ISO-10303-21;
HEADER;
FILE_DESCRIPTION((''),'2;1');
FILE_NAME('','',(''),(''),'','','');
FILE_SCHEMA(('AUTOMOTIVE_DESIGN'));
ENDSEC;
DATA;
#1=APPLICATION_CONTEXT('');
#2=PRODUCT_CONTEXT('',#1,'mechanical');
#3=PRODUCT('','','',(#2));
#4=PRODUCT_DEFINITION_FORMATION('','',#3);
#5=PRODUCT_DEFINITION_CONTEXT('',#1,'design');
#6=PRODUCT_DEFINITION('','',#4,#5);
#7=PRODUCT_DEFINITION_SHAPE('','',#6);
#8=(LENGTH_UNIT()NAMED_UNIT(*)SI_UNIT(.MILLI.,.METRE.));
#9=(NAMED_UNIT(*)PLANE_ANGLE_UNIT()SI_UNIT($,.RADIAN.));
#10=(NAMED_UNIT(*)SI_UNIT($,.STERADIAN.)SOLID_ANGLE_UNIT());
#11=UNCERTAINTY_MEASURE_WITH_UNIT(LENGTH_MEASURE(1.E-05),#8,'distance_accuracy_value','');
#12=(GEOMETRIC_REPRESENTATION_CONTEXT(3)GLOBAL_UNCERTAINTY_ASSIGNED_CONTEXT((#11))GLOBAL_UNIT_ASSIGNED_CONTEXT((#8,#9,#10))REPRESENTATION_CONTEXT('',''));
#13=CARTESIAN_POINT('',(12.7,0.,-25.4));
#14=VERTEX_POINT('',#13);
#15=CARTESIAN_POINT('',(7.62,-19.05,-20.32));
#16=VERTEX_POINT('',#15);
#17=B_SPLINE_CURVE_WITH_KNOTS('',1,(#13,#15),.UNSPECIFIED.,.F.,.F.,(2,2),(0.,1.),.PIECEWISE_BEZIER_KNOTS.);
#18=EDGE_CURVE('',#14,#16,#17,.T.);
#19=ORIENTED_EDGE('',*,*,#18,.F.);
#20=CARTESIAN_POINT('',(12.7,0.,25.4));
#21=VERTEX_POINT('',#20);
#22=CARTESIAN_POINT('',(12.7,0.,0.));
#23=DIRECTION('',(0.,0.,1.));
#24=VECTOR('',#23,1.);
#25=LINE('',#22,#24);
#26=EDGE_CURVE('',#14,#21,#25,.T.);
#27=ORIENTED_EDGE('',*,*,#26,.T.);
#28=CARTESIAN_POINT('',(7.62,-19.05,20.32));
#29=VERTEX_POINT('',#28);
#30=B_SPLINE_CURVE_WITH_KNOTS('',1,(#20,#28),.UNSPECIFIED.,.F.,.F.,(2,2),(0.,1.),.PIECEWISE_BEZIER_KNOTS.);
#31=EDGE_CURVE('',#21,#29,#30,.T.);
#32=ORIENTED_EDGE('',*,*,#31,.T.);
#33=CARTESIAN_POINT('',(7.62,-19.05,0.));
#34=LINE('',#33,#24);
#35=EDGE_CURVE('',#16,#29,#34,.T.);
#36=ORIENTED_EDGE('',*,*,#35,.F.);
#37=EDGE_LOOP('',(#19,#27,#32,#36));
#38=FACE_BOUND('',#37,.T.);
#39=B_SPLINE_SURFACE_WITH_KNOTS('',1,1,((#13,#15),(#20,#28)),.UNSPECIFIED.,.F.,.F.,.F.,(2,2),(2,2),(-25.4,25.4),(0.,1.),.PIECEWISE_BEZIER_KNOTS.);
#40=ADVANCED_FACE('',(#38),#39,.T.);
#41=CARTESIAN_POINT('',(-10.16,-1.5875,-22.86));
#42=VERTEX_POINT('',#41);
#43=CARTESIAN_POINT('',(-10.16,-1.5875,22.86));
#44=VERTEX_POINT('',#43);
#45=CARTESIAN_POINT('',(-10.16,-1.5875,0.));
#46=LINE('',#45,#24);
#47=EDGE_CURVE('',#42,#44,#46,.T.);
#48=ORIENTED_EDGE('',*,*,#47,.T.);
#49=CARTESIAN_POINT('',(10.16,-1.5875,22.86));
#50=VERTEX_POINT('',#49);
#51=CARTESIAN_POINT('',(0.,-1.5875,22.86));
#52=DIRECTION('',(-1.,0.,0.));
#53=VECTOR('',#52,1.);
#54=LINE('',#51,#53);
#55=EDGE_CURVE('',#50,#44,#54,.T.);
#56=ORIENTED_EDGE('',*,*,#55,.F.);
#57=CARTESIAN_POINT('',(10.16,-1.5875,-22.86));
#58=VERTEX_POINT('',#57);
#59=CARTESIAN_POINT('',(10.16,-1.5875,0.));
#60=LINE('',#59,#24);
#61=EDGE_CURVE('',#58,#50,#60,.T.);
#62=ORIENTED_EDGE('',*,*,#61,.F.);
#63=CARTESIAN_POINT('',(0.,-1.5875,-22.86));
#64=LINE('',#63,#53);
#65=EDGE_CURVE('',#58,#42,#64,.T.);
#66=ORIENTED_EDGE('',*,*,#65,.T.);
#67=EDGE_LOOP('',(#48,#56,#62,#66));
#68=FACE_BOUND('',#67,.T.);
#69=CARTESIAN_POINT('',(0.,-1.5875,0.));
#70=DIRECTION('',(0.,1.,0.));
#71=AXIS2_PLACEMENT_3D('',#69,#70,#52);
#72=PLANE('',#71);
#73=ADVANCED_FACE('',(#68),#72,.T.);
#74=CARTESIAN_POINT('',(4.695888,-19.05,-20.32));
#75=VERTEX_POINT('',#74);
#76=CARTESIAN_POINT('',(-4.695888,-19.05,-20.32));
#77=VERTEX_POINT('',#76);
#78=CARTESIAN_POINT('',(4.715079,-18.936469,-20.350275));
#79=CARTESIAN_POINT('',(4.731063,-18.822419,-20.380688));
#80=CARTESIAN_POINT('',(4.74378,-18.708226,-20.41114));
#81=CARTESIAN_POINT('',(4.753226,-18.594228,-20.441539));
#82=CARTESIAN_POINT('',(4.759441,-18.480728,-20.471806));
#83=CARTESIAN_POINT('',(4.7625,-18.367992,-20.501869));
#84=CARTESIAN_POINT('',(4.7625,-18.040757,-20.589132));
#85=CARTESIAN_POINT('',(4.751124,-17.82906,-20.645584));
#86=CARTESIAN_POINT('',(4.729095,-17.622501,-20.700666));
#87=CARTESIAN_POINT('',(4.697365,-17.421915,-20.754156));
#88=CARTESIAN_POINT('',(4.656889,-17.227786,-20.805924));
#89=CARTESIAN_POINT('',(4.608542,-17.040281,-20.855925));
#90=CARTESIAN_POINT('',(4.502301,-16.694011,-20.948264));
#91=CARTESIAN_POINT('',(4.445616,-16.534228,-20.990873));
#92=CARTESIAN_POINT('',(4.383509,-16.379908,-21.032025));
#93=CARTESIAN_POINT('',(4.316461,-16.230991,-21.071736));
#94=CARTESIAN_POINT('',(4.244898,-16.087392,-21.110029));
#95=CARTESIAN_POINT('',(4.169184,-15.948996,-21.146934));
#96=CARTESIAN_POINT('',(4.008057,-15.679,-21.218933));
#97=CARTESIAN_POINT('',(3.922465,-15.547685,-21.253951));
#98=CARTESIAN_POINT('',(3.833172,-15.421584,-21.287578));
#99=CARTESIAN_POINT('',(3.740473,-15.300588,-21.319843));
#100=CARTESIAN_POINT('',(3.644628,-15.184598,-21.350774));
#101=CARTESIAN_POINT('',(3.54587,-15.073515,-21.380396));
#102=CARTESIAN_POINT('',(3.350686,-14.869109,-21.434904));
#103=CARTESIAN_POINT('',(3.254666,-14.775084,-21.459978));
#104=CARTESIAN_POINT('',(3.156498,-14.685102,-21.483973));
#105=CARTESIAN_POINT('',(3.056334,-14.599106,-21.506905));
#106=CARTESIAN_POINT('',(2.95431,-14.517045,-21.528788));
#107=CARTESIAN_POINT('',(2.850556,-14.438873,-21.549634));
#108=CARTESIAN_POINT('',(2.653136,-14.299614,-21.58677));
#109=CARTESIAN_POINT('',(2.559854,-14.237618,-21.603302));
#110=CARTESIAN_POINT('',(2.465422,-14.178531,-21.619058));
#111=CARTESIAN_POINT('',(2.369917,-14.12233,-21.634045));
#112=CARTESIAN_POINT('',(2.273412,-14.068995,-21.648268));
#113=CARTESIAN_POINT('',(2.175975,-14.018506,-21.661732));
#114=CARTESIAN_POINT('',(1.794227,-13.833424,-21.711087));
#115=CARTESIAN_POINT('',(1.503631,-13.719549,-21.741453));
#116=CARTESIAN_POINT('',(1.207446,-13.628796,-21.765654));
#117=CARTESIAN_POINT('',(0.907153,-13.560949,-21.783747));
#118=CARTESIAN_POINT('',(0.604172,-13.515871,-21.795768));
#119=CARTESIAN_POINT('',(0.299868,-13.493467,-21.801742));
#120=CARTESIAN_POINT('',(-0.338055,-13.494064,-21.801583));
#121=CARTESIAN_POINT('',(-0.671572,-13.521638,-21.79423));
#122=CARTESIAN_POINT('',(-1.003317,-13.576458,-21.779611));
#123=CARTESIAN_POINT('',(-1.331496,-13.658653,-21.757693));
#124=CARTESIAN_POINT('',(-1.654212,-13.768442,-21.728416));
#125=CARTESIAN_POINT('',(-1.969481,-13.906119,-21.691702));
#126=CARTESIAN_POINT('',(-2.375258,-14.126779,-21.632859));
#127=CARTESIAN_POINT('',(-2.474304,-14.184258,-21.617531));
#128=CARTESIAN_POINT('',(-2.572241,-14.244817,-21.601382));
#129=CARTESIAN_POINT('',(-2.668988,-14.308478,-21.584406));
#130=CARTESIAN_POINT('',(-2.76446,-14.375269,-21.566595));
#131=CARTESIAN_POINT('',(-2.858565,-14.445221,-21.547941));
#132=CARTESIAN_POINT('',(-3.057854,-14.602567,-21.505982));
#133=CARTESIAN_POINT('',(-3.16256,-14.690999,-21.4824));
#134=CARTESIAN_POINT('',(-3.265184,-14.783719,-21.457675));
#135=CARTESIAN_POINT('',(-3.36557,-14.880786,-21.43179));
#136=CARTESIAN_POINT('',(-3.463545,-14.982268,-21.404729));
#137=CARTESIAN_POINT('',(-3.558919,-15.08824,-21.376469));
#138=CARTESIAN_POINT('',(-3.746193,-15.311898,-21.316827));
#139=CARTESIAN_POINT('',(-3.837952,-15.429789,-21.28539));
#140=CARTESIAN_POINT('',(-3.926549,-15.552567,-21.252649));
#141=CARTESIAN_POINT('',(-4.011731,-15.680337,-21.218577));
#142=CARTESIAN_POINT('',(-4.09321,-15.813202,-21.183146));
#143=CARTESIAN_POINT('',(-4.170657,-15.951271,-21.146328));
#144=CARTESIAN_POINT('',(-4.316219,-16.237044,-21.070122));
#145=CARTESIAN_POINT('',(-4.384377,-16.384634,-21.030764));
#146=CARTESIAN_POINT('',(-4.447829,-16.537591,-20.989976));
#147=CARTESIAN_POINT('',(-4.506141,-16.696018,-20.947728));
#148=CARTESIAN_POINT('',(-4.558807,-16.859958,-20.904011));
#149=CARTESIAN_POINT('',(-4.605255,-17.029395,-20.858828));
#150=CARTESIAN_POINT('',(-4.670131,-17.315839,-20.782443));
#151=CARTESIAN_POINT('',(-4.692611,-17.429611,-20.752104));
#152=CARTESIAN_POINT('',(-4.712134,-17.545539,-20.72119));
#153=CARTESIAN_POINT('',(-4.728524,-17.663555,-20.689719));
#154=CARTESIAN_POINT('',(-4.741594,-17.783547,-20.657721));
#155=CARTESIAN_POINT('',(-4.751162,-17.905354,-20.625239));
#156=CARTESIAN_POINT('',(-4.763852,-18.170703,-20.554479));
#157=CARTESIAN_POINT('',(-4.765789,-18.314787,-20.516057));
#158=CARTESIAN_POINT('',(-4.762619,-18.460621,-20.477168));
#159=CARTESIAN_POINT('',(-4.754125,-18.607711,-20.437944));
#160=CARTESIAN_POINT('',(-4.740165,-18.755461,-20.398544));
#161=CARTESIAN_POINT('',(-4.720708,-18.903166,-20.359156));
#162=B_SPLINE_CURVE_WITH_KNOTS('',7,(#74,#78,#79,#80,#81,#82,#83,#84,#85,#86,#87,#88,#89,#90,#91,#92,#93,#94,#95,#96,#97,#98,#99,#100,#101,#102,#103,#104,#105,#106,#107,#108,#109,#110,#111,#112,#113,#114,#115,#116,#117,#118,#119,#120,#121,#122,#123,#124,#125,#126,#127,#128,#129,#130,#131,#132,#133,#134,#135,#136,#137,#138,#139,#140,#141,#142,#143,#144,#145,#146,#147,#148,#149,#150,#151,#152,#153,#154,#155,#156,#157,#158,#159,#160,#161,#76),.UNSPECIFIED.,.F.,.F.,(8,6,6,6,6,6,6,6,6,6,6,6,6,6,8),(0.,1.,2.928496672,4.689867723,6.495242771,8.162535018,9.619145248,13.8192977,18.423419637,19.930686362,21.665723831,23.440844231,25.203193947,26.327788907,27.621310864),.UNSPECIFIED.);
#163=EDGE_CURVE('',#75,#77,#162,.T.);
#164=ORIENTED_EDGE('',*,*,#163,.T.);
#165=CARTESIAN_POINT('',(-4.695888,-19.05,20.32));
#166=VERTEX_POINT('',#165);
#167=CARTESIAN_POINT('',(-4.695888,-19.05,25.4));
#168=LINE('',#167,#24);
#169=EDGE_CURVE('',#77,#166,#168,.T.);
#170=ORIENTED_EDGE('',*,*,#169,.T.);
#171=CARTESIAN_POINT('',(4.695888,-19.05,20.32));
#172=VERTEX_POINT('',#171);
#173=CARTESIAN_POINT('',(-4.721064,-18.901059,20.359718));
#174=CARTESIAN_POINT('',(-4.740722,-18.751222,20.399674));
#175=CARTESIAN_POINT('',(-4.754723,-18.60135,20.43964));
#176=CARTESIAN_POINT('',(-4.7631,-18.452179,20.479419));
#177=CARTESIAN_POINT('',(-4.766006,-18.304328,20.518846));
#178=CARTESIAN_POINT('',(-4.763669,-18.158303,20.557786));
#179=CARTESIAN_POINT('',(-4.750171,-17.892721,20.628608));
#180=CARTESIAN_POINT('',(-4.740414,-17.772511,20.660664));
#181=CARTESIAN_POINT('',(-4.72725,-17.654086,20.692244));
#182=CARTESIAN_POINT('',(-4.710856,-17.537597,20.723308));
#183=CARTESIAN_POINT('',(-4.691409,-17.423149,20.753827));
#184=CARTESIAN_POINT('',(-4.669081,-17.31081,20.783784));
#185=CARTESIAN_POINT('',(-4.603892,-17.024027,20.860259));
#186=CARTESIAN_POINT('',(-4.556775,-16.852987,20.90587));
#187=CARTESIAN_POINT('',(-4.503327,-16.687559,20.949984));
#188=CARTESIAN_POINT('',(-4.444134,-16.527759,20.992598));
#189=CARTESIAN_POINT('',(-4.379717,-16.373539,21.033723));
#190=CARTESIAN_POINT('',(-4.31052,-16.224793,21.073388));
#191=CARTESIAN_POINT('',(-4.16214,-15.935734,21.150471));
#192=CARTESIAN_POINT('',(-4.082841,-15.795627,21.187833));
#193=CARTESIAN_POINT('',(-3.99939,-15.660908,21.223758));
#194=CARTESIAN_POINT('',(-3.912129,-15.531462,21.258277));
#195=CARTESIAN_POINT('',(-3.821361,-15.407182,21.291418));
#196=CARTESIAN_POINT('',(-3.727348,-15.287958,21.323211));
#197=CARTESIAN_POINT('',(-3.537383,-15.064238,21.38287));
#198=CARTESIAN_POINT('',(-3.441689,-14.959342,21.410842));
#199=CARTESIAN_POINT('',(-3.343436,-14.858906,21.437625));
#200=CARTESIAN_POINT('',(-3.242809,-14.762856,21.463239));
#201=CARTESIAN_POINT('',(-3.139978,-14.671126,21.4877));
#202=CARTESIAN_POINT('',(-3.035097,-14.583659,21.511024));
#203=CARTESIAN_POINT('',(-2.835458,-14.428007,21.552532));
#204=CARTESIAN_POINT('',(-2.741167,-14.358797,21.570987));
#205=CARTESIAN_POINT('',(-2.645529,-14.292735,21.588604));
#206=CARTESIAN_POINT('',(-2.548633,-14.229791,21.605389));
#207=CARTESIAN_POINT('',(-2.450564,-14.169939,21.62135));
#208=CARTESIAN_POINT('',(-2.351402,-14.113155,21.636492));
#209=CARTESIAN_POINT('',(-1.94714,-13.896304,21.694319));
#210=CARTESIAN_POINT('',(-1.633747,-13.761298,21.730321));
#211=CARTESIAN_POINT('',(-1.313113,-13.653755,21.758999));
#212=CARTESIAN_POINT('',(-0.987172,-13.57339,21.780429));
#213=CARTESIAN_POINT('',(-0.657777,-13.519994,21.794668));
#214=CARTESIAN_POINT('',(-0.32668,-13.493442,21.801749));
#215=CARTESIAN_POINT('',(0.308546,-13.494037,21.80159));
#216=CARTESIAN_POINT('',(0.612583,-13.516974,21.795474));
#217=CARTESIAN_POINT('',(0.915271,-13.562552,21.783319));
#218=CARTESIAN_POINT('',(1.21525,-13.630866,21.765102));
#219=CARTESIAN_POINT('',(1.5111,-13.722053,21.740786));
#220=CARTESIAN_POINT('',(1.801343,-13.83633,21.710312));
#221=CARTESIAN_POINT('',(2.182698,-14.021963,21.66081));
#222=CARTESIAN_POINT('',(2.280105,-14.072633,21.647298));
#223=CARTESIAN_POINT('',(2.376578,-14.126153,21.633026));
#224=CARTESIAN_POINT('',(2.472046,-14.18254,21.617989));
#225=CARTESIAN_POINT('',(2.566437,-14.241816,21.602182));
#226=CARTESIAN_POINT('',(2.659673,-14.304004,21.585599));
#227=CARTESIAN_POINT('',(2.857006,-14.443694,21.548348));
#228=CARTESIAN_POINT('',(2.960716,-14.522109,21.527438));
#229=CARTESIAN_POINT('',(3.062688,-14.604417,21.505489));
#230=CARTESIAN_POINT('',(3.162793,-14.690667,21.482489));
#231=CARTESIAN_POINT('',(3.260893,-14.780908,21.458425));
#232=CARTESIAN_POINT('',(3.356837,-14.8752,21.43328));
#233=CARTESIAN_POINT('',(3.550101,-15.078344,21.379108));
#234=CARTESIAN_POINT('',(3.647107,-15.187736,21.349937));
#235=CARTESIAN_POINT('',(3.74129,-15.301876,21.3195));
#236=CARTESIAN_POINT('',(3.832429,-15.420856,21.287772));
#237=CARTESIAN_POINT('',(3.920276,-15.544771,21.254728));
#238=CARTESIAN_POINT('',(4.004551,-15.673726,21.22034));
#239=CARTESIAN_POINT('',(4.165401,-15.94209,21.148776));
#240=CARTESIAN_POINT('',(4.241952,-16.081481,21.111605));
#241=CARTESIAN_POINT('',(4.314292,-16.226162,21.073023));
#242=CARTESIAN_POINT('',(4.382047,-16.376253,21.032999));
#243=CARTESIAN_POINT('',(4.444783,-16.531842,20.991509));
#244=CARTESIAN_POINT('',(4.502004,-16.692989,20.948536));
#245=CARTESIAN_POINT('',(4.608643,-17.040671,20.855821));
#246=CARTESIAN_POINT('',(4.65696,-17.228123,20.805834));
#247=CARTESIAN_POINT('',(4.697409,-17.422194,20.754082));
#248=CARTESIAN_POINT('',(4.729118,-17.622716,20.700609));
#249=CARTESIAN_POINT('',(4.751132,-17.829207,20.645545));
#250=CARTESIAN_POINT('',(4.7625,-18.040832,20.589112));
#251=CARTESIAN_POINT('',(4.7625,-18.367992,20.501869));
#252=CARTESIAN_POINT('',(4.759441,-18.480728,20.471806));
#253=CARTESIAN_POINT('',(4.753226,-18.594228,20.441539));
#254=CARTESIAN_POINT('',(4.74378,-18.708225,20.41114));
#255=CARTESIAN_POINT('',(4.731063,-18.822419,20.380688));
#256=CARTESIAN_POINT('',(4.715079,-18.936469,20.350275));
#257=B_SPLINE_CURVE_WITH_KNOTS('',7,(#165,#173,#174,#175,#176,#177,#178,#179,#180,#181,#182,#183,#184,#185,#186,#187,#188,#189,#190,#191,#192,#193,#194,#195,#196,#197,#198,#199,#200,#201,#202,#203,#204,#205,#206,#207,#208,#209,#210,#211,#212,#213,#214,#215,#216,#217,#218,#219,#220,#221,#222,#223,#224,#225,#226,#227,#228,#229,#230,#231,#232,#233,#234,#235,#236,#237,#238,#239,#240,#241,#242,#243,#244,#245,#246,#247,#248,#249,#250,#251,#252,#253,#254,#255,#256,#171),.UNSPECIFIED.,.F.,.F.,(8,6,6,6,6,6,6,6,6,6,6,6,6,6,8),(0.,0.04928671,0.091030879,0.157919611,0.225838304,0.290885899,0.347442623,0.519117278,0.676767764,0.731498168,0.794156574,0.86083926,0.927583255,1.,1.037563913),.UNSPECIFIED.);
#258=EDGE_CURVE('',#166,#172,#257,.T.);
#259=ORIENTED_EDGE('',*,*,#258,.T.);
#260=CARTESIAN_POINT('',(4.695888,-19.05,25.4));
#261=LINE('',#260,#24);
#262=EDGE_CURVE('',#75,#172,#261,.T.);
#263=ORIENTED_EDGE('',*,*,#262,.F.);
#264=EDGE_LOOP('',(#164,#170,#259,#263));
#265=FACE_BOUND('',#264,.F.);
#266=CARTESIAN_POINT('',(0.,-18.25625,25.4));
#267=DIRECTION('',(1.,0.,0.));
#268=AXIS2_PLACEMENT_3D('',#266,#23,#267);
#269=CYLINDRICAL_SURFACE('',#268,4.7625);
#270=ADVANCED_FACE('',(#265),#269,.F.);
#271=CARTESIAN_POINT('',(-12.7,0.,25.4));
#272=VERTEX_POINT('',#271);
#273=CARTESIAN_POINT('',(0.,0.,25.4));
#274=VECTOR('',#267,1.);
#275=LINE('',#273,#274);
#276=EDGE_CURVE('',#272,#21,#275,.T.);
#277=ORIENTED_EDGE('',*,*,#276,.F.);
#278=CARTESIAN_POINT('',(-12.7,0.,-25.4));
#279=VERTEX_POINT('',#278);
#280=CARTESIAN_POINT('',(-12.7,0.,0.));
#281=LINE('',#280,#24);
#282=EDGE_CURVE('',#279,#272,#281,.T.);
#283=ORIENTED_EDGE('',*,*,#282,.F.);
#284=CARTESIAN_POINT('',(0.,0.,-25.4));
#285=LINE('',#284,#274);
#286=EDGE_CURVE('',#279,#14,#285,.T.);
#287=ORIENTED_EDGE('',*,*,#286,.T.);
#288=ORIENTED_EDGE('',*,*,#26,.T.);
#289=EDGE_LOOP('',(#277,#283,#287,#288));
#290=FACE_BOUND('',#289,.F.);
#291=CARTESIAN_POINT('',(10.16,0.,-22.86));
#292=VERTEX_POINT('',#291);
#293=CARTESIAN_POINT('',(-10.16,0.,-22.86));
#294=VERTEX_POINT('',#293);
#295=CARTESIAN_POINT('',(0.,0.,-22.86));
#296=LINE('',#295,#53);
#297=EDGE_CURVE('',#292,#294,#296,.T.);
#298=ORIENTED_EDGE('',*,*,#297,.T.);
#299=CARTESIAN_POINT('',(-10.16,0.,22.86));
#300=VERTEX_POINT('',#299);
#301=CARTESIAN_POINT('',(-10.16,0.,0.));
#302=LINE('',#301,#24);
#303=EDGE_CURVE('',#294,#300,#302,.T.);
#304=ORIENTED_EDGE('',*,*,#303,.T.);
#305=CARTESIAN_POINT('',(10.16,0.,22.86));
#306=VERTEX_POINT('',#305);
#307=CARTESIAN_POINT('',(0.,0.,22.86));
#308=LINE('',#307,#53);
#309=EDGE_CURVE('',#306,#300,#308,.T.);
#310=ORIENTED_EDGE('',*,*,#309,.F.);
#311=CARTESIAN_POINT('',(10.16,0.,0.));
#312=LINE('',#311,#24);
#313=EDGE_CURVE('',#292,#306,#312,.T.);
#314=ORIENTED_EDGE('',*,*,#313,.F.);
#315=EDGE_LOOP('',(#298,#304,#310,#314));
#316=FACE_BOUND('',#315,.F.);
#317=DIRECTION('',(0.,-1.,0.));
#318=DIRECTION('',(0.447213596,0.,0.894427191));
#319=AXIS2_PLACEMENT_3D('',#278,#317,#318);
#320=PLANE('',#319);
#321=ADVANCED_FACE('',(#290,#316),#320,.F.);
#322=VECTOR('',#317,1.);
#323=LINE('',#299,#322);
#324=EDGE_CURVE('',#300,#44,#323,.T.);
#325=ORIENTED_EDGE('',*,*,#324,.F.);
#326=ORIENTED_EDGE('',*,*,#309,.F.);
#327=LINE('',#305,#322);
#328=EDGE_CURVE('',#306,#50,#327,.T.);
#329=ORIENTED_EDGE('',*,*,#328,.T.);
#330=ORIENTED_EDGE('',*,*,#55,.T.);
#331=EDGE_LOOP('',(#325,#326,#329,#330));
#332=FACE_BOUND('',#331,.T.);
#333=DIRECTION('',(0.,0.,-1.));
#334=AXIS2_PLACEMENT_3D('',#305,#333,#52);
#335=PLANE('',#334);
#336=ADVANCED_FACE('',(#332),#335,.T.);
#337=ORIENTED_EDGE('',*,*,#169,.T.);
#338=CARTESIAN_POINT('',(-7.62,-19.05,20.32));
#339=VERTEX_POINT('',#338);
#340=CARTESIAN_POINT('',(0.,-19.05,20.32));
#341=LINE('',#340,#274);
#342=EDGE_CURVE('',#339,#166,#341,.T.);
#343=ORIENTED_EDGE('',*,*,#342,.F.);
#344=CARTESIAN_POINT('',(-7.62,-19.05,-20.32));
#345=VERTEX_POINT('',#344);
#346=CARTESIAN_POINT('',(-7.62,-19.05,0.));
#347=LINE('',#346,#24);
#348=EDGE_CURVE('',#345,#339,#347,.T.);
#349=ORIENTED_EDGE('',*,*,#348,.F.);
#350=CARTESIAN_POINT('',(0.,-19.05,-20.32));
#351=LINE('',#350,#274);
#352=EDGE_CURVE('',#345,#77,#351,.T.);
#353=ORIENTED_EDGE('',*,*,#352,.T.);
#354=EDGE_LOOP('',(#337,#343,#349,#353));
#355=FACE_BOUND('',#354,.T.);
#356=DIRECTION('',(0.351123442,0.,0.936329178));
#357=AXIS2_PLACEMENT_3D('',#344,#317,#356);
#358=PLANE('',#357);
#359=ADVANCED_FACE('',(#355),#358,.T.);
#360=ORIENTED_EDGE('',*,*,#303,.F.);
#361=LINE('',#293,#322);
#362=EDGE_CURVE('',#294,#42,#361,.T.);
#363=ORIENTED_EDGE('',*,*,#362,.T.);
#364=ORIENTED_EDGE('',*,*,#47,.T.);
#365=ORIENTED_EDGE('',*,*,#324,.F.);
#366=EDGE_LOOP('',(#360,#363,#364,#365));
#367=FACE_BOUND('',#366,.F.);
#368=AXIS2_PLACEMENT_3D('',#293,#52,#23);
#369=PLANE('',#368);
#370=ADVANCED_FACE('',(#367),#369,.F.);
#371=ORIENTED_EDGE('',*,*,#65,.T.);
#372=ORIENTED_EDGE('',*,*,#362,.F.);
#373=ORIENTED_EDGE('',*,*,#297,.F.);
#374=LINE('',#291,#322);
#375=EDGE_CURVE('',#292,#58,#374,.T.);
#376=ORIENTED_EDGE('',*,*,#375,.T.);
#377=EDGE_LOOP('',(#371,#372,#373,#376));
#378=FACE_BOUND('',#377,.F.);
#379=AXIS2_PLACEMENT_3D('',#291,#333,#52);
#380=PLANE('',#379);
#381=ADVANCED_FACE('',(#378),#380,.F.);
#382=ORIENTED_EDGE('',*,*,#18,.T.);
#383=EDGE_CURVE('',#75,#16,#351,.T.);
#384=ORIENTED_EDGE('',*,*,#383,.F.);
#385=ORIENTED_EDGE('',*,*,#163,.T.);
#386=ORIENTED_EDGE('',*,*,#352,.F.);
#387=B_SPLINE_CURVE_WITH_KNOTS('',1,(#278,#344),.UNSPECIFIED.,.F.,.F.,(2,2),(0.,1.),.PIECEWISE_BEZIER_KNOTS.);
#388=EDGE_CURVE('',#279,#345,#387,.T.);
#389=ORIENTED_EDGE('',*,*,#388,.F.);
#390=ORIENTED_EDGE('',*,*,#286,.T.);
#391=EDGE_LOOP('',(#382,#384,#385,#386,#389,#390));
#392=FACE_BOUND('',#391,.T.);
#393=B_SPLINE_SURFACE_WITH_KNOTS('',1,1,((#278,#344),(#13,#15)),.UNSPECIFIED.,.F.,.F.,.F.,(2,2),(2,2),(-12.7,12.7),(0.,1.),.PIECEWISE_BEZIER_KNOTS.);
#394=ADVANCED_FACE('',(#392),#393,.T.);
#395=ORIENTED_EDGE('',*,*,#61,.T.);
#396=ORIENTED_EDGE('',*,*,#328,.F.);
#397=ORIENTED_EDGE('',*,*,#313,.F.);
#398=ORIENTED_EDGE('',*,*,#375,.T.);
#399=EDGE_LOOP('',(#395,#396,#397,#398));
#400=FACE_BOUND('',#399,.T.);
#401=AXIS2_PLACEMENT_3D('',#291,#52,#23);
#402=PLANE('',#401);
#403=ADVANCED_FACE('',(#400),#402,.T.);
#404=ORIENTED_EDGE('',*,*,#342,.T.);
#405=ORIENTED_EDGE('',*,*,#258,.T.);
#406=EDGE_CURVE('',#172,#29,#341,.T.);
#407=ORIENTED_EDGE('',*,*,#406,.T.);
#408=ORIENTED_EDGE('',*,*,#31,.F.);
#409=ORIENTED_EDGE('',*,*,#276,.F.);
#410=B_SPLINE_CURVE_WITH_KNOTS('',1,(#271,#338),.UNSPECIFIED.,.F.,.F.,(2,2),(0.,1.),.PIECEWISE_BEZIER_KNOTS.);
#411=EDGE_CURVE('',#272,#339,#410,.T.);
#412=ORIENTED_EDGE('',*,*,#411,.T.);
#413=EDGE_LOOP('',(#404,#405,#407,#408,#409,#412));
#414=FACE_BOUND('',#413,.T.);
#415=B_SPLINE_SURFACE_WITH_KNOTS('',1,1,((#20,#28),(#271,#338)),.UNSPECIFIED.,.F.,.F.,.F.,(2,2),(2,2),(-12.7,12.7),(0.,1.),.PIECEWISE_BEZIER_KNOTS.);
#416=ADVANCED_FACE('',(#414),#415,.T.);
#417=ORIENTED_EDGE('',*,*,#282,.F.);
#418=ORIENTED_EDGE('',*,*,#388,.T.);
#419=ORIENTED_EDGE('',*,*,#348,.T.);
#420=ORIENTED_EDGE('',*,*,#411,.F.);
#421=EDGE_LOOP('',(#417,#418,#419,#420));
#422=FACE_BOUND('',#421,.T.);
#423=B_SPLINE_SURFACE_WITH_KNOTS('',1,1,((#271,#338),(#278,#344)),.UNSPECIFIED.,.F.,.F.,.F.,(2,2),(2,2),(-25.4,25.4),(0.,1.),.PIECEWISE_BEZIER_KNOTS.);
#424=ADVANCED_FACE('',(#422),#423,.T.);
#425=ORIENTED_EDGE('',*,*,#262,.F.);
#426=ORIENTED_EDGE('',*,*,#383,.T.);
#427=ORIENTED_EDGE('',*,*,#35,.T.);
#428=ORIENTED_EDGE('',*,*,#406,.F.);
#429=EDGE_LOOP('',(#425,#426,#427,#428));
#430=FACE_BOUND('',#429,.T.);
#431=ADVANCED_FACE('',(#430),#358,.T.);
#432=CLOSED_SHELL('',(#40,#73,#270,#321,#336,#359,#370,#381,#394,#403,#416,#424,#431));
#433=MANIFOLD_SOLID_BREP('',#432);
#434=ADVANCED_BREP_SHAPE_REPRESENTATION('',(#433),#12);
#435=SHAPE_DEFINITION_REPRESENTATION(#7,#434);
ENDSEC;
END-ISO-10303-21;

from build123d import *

# Parameters (mm, degrees)
F0_W     = 25.4
F0_H     = 50.8
F2_W     = 15.24
F2_H     = 40.64
F5_R     = 4.7625
F6_DEPTH = 50.801
F7_W     = 20.32
F7_H     = 45.72
F8_DEPTH = 1.5875


with BuildPart() as f3:
    # F0 (on Front) → F3 section 0
    with BuildSketch(Plane.XZ):
        Rectangle(F0_W, F0_H)
    # F2 (on offset) → F3 section 1
    with BuildSketch(Plane.XZ.offset(19.05)):
        Rectangle(F2_W, F2_H)
    loft()

    # F5 (on face) → F6 (cut, through all)
    with BuildSketch(Plane.XY.offset(25.4)):
        with Locations((0, -18.25625)):
            Circle(F5_R)
    extrude(amount=-F6_DEPTH, mode=Mode.SUBTRACT)

    # F7 (on face) → F8 (cut)
    with BuildSketch(Plane(origin=(0, 0, 0), x_dir=(-1, 0, 0), z_dir=(0, 1, 0))):
        Rectangle(F7_W, F7_H)
    extrude(amount=-F8_DEPTH, mode=Mode.SUBTRACT)


solid = f3.part
